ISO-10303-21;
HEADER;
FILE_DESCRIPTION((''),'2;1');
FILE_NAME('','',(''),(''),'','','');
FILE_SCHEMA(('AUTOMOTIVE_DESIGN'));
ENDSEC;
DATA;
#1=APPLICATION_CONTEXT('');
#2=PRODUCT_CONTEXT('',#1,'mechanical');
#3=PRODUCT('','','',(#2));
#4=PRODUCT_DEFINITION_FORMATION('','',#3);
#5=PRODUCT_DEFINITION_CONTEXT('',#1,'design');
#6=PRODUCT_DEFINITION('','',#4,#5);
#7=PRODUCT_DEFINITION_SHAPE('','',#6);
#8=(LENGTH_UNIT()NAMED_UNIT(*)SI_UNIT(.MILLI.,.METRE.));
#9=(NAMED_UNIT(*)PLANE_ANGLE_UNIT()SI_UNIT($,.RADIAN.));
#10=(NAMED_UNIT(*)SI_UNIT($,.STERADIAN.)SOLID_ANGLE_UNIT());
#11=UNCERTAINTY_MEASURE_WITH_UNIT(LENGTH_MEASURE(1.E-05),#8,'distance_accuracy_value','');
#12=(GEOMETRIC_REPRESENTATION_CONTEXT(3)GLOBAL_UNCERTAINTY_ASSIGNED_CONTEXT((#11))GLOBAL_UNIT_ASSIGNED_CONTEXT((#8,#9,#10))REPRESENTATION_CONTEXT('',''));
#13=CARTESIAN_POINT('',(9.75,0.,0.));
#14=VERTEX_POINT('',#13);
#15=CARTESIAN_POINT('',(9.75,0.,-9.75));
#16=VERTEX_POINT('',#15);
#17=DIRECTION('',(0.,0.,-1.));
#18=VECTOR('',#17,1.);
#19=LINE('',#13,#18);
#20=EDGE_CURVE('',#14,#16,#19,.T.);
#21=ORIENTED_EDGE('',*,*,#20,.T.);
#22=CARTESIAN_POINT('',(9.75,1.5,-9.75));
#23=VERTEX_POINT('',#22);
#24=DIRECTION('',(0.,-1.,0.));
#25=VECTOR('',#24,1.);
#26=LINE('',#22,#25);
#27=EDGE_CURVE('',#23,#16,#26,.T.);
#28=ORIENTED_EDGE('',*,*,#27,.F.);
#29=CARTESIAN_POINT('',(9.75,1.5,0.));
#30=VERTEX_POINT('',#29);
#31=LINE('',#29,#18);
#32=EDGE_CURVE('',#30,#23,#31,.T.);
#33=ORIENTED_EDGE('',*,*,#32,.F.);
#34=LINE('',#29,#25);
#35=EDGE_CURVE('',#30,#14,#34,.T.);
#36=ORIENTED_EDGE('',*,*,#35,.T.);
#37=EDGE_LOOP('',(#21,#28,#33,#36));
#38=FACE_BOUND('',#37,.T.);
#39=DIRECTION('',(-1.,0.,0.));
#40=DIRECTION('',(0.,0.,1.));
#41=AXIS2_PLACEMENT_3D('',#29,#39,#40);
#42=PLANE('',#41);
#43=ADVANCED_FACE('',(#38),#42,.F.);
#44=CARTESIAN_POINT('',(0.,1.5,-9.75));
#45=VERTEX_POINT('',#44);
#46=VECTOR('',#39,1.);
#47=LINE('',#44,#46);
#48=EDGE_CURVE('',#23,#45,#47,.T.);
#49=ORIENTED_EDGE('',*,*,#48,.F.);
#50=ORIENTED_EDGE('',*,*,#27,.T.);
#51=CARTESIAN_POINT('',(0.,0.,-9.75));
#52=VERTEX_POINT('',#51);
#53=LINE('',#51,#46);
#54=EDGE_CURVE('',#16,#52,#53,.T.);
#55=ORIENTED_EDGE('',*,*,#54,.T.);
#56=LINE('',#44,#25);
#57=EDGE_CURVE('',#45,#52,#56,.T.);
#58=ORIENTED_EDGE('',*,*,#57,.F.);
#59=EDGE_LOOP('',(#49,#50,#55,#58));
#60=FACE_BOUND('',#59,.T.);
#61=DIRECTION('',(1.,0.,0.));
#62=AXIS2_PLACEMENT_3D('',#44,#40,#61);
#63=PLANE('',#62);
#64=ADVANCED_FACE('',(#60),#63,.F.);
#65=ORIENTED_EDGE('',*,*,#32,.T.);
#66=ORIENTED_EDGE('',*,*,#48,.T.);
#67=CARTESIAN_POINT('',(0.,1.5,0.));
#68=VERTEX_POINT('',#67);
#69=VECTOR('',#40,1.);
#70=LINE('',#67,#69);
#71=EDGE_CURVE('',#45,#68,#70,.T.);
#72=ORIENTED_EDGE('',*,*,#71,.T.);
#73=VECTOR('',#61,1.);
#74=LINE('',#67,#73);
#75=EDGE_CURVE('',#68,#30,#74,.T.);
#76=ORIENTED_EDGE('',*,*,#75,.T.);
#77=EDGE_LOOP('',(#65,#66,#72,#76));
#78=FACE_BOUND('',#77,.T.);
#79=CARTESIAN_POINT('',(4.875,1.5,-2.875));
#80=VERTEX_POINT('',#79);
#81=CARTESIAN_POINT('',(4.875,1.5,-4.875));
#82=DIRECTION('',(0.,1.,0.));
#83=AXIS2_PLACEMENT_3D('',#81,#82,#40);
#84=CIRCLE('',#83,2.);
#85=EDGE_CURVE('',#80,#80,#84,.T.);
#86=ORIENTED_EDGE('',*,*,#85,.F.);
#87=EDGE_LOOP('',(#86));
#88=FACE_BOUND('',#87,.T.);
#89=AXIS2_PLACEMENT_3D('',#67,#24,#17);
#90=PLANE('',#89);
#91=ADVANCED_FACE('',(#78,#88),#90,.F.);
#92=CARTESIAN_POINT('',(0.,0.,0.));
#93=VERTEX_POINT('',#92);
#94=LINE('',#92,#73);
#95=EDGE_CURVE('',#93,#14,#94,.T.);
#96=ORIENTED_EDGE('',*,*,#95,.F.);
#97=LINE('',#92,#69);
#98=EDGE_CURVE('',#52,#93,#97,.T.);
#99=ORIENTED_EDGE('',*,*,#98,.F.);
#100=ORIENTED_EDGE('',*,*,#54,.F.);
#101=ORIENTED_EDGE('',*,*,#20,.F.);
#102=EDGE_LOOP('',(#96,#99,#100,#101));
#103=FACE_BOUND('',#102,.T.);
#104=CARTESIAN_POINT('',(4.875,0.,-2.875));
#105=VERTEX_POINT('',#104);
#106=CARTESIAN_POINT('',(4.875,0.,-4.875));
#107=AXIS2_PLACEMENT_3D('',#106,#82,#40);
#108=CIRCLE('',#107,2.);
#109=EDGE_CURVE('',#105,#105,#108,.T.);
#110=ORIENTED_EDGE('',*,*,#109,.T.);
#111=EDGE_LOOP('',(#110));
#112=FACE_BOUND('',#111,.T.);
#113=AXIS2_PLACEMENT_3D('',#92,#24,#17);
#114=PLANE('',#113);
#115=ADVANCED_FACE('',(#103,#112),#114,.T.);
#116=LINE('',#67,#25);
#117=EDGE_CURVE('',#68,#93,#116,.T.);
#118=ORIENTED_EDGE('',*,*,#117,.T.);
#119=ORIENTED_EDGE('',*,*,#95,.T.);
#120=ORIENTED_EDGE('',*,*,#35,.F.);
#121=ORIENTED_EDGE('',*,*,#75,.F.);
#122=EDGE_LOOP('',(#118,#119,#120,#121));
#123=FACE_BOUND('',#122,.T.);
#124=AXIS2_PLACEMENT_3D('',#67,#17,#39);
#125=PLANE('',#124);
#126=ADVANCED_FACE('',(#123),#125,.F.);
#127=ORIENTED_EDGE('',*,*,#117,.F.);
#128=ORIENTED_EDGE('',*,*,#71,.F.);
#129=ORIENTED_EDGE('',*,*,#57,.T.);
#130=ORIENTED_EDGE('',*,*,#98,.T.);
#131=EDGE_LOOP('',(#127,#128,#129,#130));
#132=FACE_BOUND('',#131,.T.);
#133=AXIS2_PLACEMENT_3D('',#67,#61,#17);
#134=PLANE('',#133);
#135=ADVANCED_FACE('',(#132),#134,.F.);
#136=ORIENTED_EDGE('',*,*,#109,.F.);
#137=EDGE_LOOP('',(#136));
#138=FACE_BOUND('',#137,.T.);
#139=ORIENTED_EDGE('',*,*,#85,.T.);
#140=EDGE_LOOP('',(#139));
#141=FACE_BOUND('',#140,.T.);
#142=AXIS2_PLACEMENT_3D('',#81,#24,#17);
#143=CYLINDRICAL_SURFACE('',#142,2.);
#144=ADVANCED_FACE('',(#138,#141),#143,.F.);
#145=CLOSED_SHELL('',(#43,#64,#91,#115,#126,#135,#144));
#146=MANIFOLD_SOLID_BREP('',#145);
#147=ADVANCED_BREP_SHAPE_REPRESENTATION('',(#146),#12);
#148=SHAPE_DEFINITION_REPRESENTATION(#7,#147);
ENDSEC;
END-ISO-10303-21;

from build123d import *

# Parameters (mm, degrees)
SKETCH1_W           = 9.75
SKETCH1_H           = 9.75
SKETCH1_R           = 2
BOSS_EXTRUDE2_DEPTH = 1.5


with BuildPart() as part:
    # Sketch1 → Boss-Extrude2 (new body)
    with BuildSketch(Plane(origin=(0, 0, 0), x_dir=(1, 0, 0), z_dir=(0, 1, 0))):
        with Locations((4.875, 4.875)):
            Rectangle(SKETCH1_W, SKETCH1_H)
        with Locations(Location((4.875, 4.875, 0), (0, 0, 270))):
            Circle(SKETCH1_R, mode=Mode.SUBTRACT)
    extrude(amount=BOSS_EXTRUDE2_DEPTH)


solid = part.part
